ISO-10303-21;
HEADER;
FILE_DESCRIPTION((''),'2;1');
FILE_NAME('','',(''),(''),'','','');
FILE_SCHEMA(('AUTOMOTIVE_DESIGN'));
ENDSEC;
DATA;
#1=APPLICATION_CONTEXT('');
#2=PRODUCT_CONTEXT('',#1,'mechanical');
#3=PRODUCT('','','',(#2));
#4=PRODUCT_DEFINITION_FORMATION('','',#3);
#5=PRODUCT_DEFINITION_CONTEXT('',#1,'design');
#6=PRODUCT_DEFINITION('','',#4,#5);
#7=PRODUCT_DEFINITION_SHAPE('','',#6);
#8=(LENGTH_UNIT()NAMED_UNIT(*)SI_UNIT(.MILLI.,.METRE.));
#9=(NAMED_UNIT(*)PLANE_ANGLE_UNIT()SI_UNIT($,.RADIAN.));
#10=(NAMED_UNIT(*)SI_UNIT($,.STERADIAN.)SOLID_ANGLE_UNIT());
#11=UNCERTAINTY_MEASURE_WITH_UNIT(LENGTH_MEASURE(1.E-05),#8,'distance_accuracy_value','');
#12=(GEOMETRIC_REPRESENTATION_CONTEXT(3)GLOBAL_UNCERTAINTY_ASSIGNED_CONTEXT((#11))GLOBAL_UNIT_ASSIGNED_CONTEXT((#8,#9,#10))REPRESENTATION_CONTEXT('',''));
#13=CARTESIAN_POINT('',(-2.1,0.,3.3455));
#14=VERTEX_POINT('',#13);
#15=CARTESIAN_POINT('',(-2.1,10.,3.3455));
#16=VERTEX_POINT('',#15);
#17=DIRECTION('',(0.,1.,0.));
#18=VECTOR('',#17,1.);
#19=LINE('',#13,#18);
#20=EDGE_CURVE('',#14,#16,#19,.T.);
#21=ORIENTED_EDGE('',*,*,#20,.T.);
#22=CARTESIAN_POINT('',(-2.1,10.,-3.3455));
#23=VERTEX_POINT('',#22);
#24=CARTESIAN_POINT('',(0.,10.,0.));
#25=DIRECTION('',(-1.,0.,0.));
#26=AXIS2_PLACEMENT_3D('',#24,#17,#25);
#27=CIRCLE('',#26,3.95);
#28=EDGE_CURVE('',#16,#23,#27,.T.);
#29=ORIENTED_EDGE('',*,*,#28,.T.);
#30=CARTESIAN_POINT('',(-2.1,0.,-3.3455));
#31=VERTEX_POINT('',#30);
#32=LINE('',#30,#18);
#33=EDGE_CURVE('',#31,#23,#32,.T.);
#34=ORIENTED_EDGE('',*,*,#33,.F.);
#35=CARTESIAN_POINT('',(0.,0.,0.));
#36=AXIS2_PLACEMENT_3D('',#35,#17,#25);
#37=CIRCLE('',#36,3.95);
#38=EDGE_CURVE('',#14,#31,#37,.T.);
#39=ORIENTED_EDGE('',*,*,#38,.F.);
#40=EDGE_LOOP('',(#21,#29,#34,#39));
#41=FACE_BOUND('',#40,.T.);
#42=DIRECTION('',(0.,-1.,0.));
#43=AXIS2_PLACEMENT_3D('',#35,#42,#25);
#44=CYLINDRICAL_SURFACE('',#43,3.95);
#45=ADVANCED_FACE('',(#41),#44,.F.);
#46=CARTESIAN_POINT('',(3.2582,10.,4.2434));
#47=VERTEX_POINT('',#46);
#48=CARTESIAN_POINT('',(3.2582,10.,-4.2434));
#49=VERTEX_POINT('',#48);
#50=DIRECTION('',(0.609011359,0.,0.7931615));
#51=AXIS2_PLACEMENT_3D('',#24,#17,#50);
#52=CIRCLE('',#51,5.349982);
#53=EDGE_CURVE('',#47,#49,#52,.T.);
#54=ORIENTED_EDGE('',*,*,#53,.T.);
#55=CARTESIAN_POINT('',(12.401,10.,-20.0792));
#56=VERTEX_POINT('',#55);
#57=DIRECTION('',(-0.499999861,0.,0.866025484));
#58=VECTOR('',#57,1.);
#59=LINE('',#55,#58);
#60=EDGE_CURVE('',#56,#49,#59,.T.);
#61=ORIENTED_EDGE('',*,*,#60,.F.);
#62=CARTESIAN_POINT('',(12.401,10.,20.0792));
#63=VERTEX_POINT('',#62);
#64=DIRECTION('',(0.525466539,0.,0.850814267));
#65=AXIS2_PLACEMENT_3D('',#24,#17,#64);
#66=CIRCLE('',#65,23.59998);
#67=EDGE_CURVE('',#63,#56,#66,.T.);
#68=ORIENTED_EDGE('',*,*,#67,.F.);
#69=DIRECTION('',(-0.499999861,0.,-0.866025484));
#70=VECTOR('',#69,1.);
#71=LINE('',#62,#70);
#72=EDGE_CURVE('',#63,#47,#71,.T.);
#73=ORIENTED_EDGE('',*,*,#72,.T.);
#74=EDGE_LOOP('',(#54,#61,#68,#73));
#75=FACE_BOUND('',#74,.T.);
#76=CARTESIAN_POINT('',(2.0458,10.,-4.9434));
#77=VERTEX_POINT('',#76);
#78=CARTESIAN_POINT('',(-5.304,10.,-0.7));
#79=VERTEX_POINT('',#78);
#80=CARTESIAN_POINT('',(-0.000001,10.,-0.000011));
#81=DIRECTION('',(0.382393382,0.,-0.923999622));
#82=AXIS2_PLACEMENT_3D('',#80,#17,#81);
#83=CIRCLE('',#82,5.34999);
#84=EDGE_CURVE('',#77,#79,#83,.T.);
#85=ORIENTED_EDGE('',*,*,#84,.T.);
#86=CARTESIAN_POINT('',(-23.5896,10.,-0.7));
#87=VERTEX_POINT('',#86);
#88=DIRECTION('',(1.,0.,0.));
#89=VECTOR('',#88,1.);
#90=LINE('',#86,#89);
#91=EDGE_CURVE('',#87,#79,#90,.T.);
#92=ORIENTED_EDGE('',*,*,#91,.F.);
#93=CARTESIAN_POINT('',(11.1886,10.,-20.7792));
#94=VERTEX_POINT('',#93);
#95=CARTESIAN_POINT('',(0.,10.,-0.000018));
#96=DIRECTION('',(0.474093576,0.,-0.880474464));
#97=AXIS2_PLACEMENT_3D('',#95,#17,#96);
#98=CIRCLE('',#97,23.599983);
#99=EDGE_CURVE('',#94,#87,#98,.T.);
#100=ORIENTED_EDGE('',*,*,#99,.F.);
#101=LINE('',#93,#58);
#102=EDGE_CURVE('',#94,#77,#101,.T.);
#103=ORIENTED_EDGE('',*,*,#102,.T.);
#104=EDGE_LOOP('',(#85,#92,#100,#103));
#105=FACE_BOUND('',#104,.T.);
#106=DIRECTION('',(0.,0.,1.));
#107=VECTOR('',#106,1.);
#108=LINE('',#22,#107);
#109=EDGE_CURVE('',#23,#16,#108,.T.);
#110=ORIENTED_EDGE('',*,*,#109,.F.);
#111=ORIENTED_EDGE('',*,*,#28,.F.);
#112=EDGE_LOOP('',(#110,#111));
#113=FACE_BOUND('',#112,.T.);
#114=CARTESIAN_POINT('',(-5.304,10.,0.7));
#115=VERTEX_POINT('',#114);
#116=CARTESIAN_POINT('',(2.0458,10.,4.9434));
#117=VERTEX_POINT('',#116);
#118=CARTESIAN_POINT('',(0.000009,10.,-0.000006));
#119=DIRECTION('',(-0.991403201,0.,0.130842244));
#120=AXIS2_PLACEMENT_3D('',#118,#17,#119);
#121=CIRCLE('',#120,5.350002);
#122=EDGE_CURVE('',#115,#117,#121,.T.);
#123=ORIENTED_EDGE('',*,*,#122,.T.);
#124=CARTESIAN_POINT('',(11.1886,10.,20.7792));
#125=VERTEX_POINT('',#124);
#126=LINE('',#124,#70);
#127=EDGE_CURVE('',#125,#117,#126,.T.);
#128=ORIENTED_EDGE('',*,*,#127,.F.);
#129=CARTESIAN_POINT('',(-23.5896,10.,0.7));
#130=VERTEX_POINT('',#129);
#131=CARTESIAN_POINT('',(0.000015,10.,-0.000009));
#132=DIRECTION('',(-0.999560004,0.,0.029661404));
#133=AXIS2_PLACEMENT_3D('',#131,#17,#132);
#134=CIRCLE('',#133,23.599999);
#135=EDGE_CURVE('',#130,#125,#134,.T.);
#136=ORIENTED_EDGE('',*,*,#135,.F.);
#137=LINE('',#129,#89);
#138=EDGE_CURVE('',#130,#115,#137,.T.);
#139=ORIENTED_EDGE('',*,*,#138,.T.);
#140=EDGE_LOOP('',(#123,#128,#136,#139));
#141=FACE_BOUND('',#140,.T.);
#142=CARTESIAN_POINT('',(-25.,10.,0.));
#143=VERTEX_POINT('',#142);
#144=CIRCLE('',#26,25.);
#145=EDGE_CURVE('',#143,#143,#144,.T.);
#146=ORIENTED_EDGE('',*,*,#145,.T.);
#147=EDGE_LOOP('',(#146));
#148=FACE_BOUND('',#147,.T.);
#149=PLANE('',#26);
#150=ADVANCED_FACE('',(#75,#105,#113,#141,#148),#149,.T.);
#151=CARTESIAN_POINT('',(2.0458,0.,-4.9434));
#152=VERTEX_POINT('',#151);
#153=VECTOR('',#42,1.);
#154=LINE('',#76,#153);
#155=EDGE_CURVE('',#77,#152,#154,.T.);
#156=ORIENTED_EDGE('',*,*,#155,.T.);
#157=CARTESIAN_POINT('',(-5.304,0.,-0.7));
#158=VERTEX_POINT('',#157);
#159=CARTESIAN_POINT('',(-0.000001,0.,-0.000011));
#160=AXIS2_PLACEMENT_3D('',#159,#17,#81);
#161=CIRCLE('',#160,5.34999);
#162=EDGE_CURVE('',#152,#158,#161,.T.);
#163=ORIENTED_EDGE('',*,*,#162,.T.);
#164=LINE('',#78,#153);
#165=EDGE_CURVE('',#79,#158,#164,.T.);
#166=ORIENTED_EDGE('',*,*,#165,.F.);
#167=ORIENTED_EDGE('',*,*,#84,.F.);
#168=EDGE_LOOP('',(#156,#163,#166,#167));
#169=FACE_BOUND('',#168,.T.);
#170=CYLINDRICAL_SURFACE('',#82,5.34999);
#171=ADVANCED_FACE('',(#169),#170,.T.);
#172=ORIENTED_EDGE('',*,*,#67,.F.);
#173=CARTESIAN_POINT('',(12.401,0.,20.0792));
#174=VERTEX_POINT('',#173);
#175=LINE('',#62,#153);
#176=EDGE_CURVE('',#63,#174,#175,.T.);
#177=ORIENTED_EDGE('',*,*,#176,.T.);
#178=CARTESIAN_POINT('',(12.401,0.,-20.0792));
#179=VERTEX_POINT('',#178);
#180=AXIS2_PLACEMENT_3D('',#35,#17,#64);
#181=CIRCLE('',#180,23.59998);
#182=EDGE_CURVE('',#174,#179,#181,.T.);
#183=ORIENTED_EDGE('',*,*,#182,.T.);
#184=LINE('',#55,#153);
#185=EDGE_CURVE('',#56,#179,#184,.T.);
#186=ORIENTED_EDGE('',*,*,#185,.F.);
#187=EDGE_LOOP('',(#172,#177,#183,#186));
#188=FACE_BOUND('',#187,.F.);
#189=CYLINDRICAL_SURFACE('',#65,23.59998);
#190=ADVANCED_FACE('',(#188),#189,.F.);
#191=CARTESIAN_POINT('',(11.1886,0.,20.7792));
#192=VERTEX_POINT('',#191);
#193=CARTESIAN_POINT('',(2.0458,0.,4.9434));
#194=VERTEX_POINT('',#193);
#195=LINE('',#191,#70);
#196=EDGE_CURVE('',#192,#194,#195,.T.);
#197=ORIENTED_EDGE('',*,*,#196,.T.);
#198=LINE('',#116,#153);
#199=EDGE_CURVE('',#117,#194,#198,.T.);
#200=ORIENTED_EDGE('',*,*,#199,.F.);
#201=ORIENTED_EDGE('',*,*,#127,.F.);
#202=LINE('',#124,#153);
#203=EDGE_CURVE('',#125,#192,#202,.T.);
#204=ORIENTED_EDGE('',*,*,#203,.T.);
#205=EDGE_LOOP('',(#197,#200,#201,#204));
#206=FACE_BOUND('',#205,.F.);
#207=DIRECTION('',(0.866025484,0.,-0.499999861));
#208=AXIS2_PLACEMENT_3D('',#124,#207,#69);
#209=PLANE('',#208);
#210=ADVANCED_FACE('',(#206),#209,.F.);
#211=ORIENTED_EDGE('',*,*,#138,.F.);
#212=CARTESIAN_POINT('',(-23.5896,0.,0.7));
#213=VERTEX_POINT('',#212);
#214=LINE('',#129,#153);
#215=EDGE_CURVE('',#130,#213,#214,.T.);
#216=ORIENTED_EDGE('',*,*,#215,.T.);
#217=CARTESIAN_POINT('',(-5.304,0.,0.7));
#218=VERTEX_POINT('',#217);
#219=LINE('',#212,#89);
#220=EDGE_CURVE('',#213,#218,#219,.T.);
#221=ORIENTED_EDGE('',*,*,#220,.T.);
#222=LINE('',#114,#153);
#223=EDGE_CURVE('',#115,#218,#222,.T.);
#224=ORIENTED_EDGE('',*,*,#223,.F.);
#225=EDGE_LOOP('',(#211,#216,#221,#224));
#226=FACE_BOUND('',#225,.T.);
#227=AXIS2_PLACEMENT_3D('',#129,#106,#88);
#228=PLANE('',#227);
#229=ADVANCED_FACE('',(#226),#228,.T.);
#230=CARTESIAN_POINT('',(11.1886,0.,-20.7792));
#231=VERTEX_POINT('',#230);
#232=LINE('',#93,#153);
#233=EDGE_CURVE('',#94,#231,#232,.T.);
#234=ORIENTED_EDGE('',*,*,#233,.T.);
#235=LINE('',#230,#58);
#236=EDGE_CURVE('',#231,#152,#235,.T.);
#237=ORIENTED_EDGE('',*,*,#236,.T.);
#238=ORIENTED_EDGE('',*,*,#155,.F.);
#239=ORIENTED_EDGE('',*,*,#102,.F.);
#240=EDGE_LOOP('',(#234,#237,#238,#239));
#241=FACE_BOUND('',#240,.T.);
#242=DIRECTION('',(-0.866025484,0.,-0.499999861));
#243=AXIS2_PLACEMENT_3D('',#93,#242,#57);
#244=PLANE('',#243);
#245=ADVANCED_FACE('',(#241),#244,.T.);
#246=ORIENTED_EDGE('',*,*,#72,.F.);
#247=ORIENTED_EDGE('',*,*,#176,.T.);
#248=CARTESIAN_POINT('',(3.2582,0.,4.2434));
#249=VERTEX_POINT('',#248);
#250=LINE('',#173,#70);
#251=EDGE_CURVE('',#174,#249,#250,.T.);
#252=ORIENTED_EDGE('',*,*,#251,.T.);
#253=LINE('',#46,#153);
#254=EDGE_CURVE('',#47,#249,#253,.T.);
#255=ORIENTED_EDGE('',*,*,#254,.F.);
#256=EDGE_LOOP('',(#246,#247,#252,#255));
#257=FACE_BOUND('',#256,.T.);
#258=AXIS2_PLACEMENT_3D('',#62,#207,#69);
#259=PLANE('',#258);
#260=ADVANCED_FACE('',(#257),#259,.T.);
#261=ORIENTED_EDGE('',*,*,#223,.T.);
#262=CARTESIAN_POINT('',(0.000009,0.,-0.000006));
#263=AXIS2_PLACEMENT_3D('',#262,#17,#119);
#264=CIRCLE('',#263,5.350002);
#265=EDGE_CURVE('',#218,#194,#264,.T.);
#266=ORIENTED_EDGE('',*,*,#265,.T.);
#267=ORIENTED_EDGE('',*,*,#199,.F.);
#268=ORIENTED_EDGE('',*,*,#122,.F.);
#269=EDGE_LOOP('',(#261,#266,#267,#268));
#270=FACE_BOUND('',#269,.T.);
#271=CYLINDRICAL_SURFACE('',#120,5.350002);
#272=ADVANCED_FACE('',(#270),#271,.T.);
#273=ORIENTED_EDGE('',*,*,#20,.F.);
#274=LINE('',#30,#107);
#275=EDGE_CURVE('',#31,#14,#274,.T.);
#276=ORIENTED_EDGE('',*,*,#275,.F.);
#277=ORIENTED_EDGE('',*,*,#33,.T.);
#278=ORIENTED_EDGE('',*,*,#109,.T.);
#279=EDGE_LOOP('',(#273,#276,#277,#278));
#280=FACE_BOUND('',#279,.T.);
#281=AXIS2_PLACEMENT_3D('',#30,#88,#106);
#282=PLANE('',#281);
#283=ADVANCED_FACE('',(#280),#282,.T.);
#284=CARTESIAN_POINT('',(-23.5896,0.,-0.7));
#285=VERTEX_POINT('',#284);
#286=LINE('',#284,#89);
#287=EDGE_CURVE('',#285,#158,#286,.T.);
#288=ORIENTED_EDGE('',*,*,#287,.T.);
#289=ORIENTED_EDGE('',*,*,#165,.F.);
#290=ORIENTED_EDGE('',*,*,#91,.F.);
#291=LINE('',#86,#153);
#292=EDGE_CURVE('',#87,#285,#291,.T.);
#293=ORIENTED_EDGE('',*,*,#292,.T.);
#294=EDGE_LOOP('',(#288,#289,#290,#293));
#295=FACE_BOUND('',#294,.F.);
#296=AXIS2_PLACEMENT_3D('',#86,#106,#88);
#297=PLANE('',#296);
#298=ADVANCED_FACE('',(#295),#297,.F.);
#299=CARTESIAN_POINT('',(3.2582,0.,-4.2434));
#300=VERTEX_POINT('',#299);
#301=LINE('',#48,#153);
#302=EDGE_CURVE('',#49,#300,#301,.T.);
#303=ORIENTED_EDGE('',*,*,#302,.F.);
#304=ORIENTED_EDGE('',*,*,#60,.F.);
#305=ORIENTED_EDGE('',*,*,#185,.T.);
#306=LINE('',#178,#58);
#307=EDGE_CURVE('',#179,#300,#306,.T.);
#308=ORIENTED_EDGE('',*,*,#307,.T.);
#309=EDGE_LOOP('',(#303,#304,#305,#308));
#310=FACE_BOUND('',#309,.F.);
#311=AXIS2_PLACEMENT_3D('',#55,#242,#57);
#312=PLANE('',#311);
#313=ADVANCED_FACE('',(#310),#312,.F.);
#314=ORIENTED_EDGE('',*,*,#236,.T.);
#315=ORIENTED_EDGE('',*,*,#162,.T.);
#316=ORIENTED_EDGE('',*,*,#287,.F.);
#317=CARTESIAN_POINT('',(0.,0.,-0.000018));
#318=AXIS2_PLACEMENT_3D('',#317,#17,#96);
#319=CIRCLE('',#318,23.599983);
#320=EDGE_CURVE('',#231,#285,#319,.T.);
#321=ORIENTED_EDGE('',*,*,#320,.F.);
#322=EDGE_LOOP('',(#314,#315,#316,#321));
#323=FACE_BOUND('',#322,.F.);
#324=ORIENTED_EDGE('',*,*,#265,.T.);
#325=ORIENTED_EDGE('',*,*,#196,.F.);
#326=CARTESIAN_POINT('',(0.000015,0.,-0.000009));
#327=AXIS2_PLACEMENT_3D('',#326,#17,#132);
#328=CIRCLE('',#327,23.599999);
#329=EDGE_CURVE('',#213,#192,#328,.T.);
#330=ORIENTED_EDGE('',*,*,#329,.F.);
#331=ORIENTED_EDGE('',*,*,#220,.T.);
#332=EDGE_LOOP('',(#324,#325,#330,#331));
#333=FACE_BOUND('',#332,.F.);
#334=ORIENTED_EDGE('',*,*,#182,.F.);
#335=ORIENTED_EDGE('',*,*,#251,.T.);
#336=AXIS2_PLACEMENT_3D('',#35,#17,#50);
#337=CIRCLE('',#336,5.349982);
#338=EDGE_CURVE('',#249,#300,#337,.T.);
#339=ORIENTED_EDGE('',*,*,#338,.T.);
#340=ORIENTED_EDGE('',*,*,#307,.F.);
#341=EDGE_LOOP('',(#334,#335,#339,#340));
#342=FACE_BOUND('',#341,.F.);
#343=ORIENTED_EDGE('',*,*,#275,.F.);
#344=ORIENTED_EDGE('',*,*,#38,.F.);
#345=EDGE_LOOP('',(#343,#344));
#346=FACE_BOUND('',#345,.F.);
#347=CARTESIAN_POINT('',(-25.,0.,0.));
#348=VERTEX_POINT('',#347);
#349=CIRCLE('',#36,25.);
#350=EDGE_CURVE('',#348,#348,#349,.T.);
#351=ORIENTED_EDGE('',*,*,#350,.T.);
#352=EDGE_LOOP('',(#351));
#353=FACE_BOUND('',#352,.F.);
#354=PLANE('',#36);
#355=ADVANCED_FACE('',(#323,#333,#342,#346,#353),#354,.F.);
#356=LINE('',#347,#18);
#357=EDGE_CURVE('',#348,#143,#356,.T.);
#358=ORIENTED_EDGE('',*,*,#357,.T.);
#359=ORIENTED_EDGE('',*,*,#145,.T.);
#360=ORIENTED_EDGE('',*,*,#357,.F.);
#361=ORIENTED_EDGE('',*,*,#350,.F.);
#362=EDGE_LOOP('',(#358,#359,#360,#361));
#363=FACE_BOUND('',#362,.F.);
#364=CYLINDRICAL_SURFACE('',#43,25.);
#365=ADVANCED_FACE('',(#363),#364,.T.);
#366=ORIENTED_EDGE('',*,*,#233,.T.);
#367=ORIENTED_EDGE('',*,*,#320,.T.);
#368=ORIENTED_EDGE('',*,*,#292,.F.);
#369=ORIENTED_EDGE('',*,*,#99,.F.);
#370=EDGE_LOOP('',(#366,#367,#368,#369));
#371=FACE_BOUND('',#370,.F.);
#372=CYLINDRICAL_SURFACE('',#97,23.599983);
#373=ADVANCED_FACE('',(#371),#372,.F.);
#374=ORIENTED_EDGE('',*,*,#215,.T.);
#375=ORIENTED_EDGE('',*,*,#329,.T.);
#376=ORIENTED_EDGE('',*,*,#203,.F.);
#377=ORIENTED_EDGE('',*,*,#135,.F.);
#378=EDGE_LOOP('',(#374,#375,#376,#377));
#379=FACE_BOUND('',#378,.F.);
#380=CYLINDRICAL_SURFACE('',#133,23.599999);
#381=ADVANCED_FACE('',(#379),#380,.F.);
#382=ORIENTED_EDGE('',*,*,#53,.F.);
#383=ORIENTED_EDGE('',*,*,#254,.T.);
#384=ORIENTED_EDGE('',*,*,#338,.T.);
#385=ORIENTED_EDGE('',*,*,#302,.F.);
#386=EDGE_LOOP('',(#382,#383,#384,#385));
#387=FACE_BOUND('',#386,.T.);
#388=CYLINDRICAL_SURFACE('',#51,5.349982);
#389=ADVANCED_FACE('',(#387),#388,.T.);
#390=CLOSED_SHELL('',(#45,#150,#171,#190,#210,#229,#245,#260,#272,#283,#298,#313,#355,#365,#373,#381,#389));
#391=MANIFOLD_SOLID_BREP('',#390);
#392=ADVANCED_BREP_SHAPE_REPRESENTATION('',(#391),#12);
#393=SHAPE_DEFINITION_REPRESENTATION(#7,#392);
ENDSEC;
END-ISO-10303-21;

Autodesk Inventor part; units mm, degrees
ref_plane "YZ Plane" through (0, 0, 0) normal (1, 0, 0) x (0, 1, 0)
ref_plane "XZ Plane" through (0, 0, 0) normal (0, 1, 0) x (-1, 0, 0)
ref_plane "XY Plane" through (0, 0, 0) normal (0, 0, 1) x (1, 0, 0)
sketch "Sketch1" plane through (0, 0, 0) normal (0, 1, 0) x (-1, 0, 0)
  circle A0 centre (0, 0) radius 25
  circle A1 centre (0, 0) radius 3.95
  line L0 (2.1, -3.3455) -> (2.1, 3.3455)
  dimension "d2" = 50
  dimension "d3" = 7.9
  dimension "d4" = 2.1
extrude "Extrusion1" add sketch "Sketch1" along normal blind 10 contours A0 | A1 L0 picked at (2.7167, 0)
ref_plane "Work Plane1" through (0, 5, 0) normal (0, 1, 0) x (1, 0, 0)
sketch "Sketch2" plane through (0, 10, 0) normal (0, 1, 0) x (1, 0, 0)
  arc A0 (-2.1, -3.3455) -> (-2.1, 3.3455) centre (0, 0) ccw projected
  line L0 (-2.1, -3.3455) -> (-2.1, 3.3455) projected
  circle A1 centre (0, 0) radius 25 projected
  circle A2 centre (0, 0) radius 25 projected
  line L1 (-23.5896, -0.7) -> (-5.304, -0.7)
  line L2 (-23.5896, 0.7) -> (-5.304, 0.7)
  line L3 (12.401, 20.0792) -> (3.2582, 4.2434)
  line L4 (11.1886, 20.7792) -> (2.0458, 4.9434)
  line L5 (11.1886, -20.7792) -> (2.0458, -4.9434)
  line L6 (12.401, -20.0792) -> (3.2582, -4.2434)
  arc A3 (2.0458, 4.9434) -> (-5.304, 0.7) centre (0, 0) ccw
  arc A4 (-5.304, -0.7) -> (2.0458, -4.9434) centre (0, 0) ccw
  arc A5 (3.2582, -4.2434) -> (3.2582, 4.2434) centre (0, 0) ccw
  arc A6 (11.1886, 20.7792) -> (-23.5896, 0.7) centre (0, 0) ccw
  arc A7 (-23.5896, -0.7) -> (11.1886, -20.7792) centre (0, 0) ccw
  arc A8 (12.401, -20.0792) -> (12.401, 20.0792) centre (0, 0) ccw
  dimension "d9" = 1.4
  dimension "d12" = 360
extrude "Extrusion2" cut sketch "Sketch2" against normal blind 10 contours L1 A4 L5 A7 | A6 L4 A3 L2 | A8 L6 A5 L3
properties part number "Wheel"
